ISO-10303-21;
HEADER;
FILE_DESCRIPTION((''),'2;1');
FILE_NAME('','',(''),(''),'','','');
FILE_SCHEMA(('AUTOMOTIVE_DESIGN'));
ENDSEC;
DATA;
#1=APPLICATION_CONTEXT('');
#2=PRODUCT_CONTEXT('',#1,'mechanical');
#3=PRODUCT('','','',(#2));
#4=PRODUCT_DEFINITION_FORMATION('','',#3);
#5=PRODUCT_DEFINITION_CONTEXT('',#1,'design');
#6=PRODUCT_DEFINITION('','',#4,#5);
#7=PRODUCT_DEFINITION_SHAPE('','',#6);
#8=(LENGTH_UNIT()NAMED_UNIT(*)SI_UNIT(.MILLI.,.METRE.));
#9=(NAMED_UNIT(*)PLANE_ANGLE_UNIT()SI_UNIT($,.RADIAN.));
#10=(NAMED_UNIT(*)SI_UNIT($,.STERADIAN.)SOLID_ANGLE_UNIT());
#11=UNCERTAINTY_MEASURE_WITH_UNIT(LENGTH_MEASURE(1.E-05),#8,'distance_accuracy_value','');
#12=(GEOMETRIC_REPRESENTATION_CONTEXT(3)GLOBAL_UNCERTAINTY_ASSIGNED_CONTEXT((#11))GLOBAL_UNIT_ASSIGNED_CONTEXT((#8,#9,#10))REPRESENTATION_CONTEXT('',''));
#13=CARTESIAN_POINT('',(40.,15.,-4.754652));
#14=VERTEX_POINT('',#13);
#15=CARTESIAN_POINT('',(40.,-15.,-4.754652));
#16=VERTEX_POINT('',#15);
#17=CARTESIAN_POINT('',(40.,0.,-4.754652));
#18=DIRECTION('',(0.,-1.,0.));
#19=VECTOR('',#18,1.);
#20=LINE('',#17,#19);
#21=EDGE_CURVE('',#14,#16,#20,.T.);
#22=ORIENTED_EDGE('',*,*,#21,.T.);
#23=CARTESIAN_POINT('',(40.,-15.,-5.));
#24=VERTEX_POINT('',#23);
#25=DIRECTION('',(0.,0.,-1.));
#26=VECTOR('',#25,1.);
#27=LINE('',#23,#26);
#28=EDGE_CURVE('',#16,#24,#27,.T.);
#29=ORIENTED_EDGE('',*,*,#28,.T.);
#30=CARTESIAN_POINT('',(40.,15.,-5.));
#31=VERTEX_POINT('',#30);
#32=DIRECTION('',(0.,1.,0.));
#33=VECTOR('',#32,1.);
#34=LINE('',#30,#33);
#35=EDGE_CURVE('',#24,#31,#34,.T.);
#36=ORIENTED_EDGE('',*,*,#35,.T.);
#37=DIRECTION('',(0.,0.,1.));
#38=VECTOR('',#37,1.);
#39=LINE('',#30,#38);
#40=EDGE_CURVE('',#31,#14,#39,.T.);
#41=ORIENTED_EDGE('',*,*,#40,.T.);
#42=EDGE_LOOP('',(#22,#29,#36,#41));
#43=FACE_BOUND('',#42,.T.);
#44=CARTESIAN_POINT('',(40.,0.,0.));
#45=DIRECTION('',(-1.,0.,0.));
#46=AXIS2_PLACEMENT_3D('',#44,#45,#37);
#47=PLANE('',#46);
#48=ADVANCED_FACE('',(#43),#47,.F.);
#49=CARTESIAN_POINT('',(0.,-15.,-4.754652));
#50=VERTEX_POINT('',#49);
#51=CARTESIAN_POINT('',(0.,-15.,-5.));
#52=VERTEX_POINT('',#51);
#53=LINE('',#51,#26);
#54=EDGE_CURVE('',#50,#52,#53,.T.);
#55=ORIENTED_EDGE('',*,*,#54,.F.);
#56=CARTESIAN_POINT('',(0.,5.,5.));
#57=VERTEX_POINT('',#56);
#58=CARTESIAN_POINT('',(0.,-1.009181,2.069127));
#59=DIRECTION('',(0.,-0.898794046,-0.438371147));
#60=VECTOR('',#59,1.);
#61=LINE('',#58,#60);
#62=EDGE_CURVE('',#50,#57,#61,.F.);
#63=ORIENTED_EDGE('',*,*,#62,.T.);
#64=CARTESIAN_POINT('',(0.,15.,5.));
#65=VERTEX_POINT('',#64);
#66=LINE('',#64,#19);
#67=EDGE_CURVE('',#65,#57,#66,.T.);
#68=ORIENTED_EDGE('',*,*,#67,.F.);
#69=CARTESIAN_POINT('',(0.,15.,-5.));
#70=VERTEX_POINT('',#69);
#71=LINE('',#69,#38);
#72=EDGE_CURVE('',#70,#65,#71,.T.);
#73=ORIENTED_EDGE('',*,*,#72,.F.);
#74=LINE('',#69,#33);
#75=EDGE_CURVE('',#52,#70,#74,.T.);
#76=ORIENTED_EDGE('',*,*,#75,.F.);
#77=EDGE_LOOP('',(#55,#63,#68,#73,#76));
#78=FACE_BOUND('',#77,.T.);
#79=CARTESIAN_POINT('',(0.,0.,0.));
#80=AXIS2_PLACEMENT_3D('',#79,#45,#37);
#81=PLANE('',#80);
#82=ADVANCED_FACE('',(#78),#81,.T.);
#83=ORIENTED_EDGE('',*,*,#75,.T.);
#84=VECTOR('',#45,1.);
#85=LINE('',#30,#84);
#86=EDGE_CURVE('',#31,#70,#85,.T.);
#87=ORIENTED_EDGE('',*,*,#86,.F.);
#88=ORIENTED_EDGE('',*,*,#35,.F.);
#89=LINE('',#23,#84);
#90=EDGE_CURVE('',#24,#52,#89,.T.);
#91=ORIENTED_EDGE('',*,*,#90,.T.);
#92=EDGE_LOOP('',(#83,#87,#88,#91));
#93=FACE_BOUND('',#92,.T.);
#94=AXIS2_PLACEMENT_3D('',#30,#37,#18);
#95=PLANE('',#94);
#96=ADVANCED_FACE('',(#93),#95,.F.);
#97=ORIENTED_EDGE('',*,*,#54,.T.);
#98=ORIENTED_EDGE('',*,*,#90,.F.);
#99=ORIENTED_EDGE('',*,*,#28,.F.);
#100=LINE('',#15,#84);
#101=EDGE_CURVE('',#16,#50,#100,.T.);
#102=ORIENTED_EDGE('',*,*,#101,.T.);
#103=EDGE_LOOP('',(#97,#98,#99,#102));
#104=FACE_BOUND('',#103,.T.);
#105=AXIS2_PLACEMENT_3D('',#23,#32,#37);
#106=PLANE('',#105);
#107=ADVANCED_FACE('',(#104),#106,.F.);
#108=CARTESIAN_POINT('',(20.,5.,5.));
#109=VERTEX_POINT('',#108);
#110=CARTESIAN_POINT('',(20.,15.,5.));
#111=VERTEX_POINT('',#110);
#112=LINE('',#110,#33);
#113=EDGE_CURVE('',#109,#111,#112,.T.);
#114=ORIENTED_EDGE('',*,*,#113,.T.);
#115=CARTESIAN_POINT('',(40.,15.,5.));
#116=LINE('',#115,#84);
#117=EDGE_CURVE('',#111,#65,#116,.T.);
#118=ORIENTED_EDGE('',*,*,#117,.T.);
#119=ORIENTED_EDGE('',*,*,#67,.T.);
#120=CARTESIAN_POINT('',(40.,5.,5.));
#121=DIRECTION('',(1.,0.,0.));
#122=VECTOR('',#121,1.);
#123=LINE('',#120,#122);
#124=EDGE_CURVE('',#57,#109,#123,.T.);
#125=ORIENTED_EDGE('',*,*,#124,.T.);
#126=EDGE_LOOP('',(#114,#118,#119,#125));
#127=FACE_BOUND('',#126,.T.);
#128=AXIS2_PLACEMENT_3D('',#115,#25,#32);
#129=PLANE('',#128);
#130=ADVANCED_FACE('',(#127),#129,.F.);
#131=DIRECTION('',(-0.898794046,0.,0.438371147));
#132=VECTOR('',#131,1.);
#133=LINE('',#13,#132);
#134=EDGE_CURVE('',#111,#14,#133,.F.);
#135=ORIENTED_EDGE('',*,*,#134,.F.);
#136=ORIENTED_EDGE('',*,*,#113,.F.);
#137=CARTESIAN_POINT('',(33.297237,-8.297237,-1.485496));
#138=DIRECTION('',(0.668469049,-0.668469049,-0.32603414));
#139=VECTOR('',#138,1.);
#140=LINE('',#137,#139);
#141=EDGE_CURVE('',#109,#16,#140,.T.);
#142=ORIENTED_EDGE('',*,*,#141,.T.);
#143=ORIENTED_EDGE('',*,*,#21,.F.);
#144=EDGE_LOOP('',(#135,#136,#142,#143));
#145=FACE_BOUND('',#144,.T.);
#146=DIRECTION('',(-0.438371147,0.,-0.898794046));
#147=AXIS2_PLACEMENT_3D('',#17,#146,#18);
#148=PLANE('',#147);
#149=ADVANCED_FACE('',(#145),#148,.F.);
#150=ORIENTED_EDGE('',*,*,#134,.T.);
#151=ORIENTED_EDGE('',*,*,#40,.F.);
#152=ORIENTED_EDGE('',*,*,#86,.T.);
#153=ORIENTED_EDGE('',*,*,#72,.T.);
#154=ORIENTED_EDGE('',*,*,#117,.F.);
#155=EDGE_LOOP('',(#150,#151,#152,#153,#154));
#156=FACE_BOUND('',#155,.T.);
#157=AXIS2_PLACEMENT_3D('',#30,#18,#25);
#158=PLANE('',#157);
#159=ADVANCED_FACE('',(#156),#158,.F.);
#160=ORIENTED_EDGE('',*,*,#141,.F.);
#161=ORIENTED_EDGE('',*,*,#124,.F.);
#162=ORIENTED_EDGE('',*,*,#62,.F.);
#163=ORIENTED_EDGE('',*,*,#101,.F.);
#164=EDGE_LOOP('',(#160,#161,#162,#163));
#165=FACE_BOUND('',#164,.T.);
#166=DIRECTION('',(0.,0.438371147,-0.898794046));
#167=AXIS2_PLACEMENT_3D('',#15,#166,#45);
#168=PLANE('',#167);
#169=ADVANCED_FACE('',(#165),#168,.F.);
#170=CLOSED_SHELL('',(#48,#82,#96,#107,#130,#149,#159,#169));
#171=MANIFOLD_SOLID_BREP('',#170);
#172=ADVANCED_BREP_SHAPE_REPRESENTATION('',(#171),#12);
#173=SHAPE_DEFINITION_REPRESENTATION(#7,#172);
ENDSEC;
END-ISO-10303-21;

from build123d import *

# Parameters (mm, degrees)
SKETCH1_W           = 10
SKETCH1_H           = 30
BOSS_EXTRUDE1_DEPTH = 40
CHAMFER1_SIZE       = 20
CHAMFER1_SIZE2      = 9.754651771
CHAMFER2_SIZE       = 20
CHAMFER2_SIZE2      = 9.754651771


with BuildPart() as part:
    # Sketch1 → Boss-Extrude1 (new body)
    with BuildSketch(Plane(origin=(0, 0, 0), x_dir=(0, 0, -1), z_dir=(1, 0, 0))):
        Rectangle(SKETCH1_W, SKETCH1_H)
    extrude(amount=BOSS_EXTRUDE1_DEPTH)

    # Chamfer1
    chamfer1_edges = [part.edges().sort_by_distance(p)[0] for p in [
        (40, 0, 5),
    ]]
    chamfer1_side = [part.faces().sort_by_distance(p)[0] for p in [
        (20, 0, 5),
    ]]
    chamfer(chamfer1_edges, length=CHAMFER1_SIZE, length2=CHAMFER1_SIZE2, reference=chamfer1_side[0])

    # Chamfer2
    chamfer2_edges = [part.edges().sort_by_distance(p)[0] for p in [
        (10, -15, 5),
    ]]
    chamfer2_side = [part.faces().sort_by_distance(p)[0] for p in [
        (10, 0, 5),
    ]]
    chamfer(chamfer2_edges, length=CHAMFER2_SIZE, length2=CHAMFER2_SIZE2, reference=chamfer2_side[0])


solid = part.part
